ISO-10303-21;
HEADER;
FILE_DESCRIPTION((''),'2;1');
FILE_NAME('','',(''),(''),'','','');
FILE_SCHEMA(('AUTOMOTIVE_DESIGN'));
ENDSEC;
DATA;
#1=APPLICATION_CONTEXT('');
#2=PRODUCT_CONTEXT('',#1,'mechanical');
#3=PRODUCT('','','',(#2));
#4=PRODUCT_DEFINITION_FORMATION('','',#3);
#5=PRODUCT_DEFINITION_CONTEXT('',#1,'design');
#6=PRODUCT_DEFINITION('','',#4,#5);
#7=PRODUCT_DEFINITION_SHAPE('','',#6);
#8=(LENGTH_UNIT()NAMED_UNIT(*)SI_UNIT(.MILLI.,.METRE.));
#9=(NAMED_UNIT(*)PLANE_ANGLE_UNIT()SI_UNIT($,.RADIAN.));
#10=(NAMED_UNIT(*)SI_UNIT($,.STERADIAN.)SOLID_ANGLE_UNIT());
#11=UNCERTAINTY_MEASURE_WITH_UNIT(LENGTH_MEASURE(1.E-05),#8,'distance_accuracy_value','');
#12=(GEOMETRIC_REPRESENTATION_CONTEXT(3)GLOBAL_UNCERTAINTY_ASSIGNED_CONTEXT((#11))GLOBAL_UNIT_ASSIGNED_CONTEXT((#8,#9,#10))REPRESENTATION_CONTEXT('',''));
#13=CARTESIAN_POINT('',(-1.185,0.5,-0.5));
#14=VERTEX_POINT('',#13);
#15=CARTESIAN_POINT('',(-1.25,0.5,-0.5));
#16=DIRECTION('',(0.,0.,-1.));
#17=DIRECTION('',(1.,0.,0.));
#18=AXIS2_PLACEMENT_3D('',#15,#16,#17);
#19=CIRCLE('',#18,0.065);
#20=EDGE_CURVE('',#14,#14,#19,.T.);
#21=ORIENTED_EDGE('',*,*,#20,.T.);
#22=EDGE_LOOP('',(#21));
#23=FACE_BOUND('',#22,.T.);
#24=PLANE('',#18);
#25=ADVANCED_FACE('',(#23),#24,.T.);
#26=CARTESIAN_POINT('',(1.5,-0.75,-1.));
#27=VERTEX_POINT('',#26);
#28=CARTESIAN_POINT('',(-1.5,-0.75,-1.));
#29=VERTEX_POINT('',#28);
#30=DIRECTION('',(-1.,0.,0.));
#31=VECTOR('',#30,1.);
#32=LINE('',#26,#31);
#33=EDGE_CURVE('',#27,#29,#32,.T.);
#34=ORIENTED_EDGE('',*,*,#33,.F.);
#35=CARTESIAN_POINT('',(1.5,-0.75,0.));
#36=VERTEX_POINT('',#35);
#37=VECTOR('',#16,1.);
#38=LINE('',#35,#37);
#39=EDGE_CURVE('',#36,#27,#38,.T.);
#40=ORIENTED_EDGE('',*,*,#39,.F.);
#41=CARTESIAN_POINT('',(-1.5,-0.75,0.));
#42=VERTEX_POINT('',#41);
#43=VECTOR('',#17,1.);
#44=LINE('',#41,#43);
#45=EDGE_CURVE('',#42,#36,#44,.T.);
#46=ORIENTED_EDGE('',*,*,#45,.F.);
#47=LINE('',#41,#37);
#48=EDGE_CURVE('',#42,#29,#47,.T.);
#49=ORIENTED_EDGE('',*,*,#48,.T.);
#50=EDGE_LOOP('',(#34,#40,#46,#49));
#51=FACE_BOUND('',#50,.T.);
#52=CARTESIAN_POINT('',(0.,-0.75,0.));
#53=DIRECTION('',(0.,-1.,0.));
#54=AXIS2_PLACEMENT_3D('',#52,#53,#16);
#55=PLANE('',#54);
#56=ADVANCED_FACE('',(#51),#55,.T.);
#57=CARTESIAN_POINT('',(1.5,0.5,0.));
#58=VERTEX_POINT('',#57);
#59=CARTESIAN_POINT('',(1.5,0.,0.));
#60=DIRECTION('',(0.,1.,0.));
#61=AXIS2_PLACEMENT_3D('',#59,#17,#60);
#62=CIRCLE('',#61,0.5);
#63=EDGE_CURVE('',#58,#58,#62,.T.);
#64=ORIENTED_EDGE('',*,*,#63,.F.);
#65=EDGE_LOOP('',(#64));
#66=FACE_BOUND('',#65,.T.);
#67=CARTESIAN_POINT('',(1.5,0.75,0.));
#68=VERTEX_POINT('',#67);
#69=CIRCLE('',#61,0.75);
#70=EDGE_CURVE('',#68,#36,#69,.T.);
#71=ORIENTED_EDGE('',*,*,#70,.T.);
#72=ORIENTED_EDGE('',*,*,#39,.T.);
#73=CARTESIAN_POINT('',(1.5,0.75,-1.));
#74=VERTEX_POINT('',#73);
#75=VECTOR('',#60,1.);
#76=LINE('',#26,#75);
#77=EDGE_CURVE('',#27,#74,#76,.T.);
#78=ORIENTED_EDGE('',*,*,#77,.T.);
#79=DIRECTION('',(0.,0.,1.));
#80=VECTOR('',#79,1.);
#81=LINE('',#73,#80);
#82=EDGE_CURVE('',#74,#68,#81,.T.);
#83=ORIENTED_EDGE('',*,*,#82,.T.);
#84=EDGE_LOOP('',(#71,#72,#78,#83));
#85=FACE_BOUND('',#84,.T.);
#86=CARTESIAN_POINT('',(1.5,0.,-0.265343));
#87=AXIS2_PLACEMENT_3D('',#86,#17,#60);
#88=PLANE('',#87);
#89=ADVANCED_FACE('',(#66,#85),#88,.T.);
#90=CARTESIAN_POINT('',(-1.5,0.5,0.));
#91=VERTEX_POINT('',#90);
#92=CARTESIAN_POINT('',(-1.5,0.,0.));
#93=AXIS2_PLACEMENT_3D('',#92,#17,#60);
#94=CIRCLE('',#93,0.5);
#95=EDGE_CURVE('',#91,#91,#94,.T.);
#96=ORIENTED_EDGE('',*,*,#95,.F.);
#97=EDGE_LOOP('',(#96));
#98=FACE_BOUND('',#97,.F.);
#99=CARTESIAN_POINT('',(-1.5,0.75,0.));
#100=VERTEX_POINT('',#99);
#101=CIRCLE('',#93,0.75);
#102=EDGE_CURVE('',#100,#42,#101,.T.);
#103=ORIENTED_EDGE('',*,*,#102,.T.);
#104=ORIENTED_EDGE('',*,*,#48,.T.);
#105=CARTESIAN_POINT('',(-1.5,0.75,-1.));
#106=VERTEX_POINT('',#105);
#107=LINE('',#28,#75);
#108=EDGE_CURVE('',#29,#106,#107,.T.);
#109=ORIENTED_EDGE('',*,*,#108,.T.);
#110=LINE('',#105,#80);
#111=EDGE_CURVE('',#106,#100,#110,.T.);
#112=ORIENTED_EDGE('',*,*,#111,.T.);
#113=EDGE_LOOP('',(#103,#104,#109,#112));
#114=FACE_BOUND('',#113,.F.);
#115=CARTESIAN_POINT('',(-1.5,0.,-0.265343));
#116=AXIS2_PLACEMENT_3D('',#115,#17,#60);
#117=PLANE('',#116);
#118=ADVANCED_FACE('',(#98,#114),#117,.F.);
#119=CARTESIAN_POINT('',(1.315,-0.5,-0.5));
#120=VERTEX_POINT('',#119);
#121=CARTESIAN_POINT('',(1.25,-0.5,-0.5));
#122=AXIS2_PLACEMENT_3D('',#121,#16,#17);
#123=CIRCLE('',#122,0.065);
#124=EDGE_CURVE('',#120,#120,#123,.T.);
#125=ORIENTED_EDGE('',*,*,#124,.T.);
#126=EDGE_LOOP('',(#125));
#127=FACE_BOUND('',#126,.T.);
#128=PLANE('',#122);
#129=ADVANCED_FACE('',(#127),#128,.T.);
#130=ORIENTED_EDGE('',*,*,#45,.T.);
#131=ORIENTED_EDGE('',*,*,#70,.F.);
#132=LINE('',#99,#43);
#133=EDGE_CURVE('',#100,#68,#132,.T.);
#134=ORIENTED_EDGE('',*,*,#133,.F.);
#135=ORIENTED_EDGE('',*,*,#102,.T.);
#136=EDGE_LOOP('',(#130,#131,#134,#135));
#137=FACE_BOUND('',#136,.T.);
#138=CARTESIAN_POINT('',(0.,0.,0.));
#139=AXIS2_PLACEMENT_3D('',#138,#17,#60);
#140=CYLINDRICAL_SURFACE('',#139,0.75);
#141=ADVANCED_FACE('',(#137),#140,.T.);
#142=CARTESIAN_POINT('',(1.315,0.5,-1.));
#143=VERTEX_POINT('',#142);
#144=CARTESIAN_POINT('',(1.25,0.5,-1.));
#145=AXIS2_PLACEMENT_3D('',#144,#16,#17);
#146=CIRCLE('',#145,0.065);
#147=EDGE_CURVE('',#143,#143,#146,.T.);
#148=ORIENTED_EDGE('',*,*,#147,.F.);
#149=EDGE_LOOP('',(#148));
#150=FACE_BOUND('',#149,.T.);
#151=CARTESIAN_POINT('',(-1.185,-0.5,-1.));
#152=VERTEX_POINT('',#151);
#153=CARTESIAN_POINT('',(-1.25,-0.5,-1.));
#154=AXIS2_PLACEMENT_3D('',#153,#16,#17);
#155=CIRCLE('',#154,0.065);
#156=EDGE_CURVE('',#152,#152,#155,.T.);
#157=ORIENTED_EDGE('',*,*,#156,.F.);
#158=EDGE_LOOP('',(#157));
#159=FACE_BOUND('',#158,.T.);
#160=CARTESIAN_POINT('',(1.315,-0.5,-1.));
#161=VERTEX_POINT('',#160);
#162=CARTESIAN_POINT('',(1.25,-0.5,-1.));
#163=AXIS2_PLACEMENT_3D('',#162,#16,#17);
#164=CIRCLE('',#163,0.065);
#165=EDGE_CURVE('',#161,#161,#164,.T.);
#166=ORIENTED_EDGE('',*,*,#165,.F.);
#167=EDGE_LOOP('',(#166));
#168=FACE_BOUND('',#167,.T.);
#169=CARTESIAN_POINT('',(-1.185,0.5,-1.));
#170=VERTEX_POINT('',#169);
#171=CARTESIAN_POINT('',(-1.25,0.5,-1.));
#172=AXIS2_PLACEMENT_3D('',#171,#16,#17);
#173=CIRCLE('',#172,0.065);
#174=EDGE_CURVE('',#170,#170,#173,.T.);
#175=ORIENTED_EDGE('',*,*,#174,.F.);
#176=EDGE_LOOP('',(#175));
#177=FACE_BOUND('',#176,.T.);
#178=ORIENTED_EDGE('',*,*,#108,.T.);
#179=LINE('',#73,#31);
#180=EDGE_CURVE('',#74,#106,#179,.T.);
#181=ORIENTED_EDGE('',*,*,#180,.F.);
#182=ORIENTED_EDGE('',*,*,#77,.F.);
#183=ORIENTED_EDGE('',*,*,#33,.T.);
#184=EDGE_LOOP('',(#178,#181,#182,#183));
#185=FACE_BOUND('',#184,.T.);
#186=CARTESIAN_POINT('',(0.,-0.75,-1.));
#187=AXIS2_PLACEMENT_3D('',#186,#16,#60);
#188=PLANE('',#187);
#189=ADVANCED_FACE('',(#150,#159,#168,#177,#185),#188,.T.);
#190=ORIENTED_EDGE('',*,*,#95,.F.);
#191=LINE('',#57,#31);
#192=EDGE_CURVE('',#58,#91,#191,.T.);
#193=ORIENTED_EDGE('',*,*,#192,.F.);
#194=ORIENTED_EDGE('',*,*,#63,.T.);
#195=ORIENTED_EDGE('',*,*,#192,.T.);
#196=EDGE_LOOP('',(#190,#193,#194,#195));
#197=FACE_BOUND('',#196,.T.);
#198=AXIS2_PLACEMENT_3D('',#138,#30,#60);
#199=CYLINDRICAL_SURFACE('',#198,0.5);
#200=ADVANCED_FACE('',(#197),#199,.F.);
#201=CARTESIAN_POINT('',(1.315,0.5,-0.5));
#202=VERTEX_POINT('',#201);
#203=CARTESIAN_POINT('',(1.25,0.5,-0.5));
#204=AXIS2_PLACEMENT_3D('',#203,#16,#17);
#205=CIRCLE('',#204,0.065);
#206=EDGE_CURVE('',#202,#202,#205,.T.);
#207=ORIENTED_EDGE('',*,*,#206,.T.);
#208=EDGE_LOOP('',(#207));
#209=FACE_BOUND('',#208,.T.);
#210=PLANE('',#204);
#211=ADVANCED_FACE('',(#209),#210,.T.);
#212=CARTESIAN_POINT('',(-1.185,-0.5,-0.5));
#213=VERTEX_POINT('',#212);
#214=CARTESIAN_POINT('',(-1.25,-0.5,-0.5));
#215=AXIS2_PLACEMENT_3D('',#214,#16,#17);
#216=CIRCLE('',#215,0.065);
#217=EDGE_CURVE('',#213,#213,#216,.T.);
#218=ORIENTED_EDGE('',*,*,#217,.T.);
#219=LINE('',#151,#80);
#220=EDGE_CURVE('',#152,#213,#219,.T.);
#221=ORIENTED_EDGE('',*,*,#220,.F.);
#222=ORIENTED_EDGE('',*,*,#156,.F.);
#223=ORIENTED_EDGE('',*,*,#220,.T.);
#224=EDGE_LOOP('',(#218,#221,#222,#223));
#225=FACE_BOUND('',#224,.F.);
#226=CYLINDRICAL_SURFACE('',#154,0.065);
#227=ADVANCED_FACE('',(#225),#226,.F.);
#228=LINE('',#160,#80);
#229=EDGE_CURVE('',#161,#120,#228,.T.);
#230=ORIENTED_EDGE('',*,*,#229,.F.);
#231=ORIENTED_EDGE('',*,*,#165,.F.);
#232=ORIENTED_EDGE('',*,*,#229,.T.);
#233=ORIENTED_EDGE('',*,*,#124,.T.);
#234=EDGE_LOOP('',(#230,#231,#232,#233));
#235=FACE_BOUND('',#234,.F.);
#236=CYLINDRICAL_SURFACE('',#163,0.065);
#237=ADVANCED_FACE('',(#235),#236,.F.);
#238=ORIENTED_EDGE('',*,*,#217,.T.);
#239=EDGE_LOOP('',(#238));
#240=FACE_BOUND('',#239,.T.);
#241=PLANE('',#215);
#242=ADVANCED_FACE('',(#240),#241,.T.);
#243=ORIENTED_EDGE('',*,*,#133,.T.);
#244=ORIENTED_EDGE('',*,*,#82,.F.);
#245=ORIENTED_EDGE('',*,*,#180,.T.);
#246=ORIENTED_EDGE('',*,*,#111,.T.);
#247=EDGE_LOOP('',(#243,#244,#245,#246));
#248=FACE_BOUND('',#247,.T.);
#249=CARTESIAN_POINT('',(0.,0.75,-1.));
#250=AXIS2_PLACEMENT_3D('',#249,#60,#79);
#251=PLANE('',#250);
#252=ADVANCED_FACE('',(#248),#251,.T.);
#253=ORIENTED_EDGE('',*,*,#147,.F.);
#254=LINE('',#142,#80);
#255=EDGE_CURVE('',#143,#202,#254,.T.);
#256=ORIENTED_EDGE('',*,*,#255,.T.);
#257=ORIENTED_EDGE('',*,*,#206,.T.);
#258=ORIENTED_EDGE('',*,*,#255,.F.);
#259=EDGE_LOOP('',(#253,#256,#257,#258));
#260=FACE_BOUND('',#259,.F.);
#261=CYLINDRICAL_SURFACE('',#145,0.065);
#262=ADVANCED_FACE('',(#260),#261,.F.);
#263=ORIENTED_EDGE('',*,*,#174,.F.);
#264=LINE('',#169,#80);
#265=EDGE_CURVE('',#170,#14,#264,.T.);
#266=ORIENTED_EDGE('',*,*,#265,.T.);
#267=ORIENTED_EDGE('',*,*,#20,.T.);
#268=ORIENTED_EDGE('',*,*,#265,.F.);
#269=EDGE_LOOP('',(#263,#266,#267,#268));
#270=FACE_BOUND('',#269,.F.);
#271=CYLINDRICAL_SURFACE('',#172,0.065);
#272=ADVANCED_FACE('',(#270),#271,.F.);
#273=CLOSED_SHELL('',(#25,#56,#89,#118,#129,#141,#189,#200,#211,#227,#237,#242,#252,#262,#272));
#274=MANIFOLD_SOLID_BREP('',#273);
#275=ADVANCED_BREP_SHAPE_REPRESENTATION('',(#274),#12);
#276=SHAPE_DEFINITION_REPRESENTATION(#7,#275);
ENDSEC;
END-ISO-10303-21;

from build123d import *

# Parameters (mm, degrees)
F0_R     = 0.5
F1_DEPTH = 1.5
F2_R     = 0.065
F3_DEPTH = 0.5


with BuildPart() as f1:
    # F0 (on Right) → F1 (new body, symmetric)
    with BuildSketch(Plane.YZ):
        with BuildLine():
            Line((0.75, -1), (0.75, 0))
            ThreePointArc((0.75, 0), (0, 0.75), (-0.75, 0))
            Line((-0.75, 0), (-0.75, -1))
            Line((-0.75, -1), (0.75, -1))
        make_face()
        Circle(F0_R, mode=Mode.SUBTRACT)
    extrude(amount=F1_DEPTH, both=True)

    # F2 (on face) → F3 (cut)
    with BuildSketch(Plane(origin=(0, 0, -1), x_dir=(1, 0, 0), z_dir=(0, 0, -1))):
        with Locations((1.25, -0.5)):
            Circle(F2_R)
        with Locations((1.25, 0.5)):
            Circle(F2_R)
        with Locations((-1.25, -0.5)):
            Circle(F2_R)
        with Locations((-1.25, 0.5)):
            Circle(F2_R)
    extrude(amount=-F3_DEPTH, mode=Mode.SUBTRACT)


solid = f1.part
